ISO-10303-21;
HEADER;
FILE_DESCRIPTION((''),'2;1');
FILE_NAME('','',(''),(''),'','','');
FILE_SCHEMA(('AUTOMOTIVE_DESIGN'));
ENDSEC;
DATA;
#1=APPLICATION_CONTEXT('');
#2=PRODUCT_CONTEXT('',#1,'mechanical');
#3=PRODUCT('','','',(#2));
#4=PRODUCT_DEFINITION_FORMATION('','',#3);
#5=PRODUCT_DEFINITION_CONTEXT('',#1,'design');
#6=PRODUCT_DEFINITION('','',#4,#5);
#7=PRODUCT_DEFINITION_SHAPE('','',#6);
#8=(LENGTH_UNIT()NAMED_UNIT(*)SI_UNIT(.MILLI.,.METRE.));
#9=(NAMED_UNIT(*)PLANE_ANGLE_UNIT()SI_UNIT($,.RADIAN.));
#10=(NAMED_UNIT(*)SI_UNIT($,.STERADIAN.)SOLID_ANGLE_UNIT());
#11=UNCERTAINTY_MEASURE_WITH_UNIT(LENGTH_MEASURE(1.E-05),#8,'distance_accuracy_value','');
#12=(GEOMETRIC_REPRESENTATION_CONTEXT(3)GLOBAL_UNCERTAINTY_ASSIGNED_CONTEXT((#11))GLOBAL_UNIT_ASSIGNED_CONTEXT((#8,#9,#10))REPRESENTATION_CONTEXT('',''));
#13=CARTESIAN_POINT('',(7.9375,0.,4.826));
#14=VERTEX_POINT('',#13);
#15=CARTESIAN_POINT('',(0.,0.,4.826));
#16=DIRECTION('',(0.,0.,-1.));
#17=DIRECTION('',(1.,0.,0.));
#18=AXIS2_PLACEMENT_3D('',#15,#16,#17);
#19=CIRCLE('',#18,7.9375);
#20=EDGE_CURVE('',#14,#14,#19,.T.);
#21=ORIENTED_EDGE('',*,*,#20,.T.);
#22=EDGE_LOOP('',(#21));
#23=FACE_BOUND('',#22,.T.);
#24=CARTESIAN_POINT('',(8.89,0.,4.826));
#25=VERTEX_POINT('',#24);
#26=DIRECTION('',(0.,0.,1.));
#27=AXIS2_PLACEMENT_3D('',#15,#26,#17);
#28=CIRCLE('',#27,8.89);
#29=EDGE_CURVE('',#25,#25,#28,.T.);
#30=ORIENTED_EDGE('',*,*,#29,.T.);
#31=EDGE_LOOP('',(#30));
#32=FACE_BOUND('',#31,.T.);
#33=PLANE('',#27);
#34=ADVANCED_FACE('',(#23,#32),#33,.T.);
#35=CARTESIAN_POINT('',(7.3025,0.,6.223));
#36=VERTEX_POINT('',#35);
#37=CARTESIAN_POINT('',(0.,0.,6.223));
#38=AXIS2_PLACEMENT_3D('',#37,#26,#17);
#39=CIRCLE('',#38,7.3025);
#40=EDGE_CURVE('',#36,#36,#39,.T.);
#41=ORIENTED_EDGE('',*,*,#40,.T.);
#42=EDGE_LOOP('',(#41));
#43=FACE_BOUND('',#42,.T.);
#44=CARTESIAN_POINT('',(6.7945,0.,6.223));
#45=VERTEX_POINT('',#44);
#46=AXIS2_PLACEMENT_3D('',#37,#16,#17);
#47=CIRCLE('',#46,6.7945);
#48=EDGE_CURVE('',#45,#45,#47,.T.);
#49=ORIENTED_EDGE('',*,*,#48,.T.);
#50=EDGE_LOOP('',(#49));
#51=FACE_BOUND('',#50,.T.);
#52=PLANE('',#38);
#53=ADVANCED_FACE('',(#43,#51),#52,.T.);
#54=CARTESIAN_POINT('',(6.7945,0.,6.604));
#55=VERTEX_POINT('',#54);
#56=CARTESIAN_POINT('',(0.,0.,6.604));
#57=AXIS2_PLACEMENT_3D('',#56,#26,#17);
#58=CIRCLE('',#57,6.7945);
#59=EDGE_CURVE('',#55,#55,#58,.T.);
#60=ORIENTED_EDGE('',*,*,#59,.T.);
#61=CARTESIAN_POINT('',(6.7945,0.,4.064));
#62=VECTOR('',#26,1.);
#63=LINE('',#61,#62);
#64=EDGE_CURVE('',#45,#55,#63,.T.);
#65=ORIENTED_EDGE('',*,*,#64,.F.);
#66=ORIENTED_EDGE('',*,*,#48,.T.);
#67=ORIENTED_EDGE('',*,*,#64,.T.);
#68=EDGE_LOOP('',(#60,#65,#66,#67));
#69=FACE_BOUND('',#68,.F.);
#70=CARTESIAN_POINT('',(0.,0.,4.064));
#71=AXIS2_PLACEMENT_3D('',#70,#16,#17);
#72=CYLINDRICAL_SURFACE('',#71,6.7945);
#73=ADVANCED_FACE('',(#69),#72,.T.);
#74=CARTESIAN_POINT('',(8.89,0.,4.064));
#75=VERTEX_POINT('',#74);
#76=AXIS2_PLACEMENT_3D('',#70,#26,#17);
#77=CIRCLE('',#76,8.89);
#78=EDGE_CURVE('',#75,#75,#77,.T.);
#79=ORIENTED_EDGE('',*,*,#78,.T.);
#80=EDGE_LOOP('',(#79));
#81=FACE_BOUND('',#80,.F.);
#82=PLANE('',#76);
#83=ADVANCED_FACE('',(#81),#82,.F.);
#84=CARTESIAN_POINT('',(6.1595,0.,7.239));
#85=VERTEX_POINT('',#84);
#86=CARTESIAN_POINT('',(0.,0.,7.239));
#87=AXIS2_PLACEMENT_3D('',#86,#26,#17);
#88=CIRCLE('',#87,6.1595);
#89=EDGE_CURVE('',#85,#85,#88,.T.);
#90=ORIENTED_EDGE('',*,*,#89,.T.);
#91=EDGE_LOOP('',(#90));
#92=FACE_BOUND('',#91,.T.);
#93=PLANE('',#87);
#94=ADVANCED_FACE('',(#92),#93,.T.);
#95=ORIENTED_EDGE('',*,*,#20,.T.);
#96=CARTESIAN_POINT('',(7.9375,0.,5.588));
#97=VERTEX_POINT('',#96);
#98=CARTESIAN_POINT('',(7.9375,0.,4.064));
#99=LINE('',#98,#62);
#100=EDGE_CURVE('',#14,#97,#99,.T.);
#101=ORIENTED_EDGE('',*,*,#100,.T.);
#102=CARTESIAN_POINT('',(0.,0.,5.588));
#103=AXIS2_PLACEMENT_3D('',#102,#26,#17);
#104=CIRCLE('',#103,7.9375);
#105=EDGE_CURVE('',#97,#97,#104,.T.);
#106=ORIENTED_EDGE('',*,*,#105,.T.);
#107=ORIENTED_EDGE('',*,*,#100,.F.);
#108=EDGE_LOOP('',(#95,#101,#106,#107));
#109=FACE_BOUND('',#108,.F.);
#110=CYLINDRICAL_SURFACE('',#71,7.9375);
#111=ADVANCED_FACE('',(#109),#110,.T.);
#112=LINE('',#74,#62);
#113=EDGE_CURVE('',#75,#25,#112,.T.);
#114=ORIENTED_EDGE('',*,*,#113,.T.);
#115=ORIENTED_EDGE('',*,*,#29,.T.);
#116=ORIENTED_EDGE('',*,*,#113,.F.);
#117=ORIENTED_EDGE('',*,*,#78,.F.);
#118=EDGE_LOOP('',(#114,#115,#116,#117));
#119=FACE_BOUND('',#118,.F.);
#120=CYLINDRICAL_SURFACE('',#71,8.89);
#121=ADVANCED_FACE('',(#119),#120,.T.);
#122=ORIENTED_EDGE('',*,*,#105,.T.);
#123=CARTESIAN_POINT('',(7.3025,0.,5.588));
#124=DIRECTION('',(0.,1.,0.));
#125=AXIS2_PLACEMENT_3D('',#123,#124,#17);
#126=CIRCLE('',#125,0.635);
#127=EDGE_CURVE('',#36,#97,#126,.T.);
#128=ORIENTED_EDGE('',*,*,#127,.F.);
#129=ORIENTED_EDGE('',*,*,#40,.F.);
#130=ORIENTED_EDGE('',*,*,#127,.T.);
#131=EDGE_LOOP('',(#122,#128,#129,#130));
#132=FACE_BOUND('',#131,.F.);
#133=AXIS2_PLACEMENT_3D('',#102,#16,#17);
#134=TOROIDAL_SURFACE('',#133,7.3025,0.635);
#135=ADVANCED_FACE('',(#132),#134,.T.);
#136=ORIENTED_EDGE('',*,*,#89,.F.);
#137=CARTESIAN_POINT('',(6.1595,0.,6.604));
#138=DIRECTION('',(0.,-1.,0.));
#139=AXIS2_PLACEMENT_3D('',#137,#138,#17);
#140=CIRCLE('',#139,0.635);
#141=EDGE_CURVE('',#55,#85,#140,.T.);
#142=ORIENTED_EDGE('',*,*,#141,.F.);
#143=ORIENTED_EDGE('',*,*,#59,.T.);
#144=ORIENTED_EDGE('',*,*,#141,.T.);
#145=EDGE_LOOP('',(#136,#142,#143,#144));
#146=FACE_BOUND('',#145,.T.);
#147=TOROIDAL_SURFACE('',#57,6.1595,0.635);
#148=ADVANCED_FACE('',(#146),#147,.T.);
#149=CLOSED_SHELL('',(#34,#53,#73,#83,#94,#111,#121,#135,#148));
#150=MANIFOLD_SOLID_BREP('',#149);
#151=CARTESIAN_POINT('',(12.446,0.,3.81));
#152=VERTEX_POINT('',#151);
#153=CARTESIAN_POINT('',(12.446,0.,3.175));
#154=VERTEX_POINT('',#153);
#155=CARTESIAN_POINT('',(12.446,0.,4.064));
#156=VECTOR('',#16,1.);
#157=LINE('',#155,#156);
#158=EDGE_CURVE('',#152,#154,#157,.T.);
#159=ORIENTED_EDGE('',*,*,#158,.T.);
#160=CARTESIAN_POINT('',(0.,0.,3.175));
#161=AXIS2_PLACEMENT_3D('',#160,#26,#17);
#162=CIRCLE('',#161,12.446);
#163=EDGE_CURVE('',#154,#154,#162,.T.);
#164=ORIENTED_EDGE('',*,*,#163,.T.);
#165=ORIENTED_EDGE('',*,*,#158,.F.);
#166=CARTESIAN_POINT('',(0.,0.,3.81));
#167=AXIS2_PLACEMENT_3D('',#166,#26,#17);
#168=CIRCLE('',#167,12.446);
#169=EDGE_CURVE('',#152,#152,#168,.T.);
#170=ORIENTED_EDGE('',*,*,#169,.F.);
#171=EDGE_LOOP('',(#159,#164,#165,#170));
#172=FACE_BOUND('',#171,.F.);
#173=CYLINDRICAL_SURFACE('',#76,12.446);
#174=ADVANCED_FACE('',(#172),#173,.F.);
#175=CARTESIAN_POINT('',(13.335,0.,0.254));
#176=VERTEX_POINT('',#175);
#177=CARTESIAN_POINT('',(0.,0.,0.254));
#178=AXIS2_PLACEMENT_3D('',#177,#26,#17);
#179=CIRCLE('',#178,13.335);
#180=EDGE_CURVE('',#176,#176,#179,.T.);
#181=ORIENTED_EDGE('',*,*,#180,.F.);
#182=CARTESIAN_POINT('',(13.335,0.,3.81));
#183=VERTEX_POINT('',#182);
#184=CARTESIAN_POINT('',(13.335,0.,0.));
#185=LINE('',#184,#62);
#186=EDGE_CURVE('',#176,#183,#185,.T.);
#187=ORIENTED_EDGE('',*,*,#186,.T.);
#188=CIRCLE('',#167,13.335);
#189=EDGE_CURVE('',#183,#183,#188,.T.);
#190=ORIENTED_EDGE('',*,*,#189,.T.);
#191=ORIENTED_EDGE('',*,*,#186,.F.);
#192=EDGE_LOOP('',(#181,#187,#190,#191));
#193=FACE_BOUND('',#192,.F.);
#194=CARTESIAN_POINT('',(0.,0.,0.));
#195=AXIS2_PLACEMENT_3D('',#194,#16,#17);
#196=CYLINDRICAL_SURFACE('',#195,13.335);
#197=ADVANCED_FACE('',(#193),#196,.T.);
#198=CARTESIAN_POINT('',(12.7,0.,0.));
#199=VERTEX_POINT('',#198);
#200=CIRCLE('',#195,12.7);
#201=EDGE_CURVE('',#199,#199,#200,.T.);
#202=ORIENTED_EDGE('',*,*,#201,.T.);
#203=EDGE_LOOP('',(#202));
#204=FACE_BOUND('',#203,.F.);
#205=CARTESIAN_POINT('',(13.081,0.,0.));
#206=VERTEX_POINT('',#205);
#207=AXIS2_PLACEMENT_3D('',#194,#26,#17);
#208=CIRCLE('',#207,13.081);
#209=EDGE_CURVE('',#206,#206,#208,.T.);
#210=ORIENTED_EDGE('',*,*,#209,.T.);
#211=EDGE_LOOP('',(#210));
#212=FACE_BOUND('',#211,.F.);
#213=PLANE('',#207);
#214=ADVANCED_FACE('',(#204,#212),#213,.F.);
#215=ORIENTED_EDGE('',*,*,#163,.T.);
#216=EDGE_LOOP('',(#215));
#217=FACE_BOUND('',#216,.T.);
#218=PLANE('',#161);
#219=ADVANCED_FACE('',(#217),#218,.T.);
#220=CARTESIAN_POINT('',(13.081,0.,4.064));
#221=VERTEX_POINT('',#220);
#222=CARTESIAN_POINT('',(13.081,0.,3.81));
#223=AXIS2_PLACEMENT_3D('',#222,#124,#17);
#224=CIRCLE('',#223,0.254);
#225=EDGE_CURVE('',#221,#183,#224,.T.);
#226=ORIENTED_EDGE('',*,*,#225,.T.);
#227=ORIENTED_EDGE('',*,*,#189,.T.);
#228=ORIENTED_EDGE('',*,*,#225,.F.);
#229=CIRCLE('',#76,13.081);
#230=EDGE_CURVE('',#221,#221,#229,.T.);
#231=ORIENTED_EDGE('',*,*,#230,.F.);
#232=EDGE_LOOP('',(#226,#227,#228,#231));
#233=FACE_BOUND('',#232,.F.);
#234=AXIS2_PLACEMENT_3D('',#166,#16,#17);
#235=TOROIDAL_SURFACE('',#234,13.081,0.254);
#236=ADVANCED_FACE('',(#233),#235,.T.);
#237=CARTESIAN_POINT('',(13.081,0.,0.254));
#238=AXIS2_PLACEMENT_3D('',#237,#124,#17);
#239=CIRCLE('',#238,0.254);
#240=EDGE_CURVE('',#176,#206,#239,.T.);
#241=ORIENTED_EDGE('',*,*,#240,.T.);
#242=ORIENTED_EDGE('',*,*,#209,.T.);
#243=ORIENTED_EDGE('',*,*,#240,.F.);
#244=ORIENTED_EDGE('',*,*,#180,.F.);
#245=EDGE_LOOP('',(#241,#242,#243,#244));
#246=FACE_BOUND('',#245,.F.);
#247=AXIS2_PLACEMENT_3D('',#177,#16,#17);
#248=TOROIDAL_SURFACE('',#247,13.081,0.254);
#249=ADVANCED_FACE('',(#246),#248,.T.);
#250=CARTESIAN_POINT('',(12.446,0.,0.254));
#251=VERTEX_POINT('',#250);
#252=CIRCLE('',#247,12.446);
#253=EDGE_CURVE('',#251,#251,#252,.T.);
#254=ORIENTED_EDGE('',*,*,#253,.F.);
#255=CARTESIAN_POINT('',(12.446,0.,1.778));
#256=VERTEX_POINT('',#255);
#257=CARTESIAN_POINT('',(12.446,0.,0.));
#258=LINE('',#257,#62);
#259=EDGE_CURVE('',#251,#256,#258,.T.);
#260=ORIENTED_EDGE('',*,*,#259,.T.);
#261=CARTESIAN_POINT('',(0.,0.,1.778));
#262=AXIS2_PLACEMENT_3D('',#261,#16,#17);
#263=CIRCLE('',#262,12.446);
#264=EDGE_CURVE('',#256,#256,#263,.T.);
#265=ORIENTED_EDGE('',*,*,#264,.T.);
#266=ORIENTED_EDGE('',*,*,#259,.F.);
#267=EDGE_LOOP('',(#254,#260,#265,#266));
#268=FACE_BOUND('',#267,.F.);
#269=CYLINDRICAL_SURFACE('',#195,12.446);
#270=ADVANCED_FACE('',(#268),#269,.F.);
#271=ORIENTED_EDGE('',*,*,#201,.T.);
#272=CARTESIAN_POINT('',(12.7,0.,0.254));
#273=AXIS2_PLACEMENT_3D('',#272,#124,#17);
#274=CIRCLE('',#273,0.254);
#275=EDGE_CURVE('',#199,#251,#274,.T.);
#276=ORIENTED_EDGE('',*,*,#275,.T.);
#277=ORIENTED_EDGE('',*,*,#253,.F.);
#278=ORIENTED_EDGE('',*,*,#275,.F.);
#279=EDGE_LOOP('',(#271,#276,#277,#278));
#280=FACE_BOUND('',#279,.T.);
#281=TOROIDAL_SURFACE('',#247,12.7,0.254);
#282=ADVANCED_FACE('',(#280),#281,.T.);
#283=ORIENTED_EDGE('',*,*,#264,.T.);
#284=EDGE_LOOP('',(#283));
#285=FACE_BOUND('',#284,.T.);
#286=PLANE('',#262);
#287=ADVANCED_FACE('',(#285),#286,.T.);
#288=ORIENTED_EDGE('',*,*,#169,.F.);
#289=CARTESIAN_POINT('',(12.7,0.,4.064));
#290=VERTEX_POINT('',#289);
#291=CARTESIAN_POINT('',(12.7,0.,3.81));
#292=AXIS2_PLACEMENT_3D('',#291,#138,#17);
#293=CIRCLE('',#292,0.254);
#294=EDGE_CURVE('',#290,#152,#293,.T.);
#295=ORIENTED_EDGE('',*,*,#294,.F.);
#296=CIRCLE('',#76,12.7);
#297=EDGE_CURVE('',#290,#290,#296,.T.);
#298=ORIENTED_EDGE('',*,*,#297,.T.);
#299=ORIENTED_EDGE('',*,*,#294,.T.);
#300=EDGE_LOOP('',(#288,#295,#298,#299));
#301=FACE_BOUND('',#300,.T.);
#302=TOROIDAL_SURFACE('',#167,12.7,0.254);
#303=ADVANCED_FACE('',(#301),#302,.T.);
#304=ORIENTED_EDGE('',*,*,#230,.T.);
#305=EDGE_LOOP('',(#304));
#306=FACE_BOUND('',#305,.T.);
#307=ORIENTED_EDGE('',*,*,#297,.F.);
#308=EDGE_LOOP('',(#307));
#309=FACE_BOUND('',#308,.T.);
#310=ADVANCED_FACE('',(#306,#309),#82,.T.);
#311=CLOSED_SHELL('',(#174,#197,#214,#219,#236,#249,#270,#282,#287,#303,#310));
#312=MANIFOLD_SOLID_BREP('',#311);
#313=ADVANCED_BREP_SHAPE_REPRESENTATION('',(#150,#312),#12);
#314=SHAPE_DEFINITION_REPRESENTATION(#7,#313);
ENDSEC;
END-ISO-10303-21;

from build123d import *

# Parameters (mm, degrees)
F0_R      = 13.335
F1_DEPTH  = 4.064
F2_R      = 8.89
F3_DEPTH  = 0.762
F4_R      = 7.9375
F5_DEPTH  = 2.159
F6_R      = 6.7945
F7_DEPTH  = 3.175
F8_R      = 0.635
F9_R      = 12.446
F10_DEPTH = 0.889
F11_R     = 12.446
F12_DEPTH = 1.778
F13_R     = 0.254


with BuildPart() as f1:
    # F0 (on Top) → F1 (new body)
    with BuildSketch(Plane.XY):
        Circle(F0_R)
    extrude(amount=F1_DEPTH)

    # F2 (on face) → F3 (join)
    with BuildSketch(Plane.XY.offset(4.064)):
        Circle(F2_R)
    extrude(amount=F3_DEPTH)

    # F4 (on face) → F5 (join)
    with BuildSketch(Plane.XY.offset(4.064)):
        Circle(F4_R)
    extrude(amount=F5_DEPTH)

    # F6 (on face) → F7 (join)
    with BuildSketch(Plane.XY.offset(4.064)):
        Circle(F6_R)
    extrude(amount=F7_DEPTH)

    # F8
    f8_edges = [f1.edges().sort_by_distance(p)[0] for p in [
        (-7.9375, 0, 6.223),
        (-6.7945, 0, 7.239),
    ]]
    fillet(f8_edges, radius=F8_R)

    # F9 (on face) → F10 (cut)
    with BuildSketch(Plane.XY.offset(4.064)):
        Circle(F9_R)
    extrude(amount=-F10_DEPTH, mode=Mode.SUBTRACT)

    # F11 (on face) → F12 (cut)
    with BuildSketch(Plane(origin=(0, 0, 0), x_dir=(1, 0, 0), z_dir=(0, 0, -1))):
        Circle(F11_R)
    extrude(amount=-F12_DEPTH, mode=Mode.SUBTRACT)

    # F13
    f13_edges = [f1.edges().sort_by_distance(p)[0] for p in [
        (-12.446, 0, 4.064),
        (-13.335, 0, 4.064),
        (-13.335, 0, 0),
        (-12.446, 0, 0),
    ]]
    fillet(f13_edges, radius=F13_R)


solid = f1.part
